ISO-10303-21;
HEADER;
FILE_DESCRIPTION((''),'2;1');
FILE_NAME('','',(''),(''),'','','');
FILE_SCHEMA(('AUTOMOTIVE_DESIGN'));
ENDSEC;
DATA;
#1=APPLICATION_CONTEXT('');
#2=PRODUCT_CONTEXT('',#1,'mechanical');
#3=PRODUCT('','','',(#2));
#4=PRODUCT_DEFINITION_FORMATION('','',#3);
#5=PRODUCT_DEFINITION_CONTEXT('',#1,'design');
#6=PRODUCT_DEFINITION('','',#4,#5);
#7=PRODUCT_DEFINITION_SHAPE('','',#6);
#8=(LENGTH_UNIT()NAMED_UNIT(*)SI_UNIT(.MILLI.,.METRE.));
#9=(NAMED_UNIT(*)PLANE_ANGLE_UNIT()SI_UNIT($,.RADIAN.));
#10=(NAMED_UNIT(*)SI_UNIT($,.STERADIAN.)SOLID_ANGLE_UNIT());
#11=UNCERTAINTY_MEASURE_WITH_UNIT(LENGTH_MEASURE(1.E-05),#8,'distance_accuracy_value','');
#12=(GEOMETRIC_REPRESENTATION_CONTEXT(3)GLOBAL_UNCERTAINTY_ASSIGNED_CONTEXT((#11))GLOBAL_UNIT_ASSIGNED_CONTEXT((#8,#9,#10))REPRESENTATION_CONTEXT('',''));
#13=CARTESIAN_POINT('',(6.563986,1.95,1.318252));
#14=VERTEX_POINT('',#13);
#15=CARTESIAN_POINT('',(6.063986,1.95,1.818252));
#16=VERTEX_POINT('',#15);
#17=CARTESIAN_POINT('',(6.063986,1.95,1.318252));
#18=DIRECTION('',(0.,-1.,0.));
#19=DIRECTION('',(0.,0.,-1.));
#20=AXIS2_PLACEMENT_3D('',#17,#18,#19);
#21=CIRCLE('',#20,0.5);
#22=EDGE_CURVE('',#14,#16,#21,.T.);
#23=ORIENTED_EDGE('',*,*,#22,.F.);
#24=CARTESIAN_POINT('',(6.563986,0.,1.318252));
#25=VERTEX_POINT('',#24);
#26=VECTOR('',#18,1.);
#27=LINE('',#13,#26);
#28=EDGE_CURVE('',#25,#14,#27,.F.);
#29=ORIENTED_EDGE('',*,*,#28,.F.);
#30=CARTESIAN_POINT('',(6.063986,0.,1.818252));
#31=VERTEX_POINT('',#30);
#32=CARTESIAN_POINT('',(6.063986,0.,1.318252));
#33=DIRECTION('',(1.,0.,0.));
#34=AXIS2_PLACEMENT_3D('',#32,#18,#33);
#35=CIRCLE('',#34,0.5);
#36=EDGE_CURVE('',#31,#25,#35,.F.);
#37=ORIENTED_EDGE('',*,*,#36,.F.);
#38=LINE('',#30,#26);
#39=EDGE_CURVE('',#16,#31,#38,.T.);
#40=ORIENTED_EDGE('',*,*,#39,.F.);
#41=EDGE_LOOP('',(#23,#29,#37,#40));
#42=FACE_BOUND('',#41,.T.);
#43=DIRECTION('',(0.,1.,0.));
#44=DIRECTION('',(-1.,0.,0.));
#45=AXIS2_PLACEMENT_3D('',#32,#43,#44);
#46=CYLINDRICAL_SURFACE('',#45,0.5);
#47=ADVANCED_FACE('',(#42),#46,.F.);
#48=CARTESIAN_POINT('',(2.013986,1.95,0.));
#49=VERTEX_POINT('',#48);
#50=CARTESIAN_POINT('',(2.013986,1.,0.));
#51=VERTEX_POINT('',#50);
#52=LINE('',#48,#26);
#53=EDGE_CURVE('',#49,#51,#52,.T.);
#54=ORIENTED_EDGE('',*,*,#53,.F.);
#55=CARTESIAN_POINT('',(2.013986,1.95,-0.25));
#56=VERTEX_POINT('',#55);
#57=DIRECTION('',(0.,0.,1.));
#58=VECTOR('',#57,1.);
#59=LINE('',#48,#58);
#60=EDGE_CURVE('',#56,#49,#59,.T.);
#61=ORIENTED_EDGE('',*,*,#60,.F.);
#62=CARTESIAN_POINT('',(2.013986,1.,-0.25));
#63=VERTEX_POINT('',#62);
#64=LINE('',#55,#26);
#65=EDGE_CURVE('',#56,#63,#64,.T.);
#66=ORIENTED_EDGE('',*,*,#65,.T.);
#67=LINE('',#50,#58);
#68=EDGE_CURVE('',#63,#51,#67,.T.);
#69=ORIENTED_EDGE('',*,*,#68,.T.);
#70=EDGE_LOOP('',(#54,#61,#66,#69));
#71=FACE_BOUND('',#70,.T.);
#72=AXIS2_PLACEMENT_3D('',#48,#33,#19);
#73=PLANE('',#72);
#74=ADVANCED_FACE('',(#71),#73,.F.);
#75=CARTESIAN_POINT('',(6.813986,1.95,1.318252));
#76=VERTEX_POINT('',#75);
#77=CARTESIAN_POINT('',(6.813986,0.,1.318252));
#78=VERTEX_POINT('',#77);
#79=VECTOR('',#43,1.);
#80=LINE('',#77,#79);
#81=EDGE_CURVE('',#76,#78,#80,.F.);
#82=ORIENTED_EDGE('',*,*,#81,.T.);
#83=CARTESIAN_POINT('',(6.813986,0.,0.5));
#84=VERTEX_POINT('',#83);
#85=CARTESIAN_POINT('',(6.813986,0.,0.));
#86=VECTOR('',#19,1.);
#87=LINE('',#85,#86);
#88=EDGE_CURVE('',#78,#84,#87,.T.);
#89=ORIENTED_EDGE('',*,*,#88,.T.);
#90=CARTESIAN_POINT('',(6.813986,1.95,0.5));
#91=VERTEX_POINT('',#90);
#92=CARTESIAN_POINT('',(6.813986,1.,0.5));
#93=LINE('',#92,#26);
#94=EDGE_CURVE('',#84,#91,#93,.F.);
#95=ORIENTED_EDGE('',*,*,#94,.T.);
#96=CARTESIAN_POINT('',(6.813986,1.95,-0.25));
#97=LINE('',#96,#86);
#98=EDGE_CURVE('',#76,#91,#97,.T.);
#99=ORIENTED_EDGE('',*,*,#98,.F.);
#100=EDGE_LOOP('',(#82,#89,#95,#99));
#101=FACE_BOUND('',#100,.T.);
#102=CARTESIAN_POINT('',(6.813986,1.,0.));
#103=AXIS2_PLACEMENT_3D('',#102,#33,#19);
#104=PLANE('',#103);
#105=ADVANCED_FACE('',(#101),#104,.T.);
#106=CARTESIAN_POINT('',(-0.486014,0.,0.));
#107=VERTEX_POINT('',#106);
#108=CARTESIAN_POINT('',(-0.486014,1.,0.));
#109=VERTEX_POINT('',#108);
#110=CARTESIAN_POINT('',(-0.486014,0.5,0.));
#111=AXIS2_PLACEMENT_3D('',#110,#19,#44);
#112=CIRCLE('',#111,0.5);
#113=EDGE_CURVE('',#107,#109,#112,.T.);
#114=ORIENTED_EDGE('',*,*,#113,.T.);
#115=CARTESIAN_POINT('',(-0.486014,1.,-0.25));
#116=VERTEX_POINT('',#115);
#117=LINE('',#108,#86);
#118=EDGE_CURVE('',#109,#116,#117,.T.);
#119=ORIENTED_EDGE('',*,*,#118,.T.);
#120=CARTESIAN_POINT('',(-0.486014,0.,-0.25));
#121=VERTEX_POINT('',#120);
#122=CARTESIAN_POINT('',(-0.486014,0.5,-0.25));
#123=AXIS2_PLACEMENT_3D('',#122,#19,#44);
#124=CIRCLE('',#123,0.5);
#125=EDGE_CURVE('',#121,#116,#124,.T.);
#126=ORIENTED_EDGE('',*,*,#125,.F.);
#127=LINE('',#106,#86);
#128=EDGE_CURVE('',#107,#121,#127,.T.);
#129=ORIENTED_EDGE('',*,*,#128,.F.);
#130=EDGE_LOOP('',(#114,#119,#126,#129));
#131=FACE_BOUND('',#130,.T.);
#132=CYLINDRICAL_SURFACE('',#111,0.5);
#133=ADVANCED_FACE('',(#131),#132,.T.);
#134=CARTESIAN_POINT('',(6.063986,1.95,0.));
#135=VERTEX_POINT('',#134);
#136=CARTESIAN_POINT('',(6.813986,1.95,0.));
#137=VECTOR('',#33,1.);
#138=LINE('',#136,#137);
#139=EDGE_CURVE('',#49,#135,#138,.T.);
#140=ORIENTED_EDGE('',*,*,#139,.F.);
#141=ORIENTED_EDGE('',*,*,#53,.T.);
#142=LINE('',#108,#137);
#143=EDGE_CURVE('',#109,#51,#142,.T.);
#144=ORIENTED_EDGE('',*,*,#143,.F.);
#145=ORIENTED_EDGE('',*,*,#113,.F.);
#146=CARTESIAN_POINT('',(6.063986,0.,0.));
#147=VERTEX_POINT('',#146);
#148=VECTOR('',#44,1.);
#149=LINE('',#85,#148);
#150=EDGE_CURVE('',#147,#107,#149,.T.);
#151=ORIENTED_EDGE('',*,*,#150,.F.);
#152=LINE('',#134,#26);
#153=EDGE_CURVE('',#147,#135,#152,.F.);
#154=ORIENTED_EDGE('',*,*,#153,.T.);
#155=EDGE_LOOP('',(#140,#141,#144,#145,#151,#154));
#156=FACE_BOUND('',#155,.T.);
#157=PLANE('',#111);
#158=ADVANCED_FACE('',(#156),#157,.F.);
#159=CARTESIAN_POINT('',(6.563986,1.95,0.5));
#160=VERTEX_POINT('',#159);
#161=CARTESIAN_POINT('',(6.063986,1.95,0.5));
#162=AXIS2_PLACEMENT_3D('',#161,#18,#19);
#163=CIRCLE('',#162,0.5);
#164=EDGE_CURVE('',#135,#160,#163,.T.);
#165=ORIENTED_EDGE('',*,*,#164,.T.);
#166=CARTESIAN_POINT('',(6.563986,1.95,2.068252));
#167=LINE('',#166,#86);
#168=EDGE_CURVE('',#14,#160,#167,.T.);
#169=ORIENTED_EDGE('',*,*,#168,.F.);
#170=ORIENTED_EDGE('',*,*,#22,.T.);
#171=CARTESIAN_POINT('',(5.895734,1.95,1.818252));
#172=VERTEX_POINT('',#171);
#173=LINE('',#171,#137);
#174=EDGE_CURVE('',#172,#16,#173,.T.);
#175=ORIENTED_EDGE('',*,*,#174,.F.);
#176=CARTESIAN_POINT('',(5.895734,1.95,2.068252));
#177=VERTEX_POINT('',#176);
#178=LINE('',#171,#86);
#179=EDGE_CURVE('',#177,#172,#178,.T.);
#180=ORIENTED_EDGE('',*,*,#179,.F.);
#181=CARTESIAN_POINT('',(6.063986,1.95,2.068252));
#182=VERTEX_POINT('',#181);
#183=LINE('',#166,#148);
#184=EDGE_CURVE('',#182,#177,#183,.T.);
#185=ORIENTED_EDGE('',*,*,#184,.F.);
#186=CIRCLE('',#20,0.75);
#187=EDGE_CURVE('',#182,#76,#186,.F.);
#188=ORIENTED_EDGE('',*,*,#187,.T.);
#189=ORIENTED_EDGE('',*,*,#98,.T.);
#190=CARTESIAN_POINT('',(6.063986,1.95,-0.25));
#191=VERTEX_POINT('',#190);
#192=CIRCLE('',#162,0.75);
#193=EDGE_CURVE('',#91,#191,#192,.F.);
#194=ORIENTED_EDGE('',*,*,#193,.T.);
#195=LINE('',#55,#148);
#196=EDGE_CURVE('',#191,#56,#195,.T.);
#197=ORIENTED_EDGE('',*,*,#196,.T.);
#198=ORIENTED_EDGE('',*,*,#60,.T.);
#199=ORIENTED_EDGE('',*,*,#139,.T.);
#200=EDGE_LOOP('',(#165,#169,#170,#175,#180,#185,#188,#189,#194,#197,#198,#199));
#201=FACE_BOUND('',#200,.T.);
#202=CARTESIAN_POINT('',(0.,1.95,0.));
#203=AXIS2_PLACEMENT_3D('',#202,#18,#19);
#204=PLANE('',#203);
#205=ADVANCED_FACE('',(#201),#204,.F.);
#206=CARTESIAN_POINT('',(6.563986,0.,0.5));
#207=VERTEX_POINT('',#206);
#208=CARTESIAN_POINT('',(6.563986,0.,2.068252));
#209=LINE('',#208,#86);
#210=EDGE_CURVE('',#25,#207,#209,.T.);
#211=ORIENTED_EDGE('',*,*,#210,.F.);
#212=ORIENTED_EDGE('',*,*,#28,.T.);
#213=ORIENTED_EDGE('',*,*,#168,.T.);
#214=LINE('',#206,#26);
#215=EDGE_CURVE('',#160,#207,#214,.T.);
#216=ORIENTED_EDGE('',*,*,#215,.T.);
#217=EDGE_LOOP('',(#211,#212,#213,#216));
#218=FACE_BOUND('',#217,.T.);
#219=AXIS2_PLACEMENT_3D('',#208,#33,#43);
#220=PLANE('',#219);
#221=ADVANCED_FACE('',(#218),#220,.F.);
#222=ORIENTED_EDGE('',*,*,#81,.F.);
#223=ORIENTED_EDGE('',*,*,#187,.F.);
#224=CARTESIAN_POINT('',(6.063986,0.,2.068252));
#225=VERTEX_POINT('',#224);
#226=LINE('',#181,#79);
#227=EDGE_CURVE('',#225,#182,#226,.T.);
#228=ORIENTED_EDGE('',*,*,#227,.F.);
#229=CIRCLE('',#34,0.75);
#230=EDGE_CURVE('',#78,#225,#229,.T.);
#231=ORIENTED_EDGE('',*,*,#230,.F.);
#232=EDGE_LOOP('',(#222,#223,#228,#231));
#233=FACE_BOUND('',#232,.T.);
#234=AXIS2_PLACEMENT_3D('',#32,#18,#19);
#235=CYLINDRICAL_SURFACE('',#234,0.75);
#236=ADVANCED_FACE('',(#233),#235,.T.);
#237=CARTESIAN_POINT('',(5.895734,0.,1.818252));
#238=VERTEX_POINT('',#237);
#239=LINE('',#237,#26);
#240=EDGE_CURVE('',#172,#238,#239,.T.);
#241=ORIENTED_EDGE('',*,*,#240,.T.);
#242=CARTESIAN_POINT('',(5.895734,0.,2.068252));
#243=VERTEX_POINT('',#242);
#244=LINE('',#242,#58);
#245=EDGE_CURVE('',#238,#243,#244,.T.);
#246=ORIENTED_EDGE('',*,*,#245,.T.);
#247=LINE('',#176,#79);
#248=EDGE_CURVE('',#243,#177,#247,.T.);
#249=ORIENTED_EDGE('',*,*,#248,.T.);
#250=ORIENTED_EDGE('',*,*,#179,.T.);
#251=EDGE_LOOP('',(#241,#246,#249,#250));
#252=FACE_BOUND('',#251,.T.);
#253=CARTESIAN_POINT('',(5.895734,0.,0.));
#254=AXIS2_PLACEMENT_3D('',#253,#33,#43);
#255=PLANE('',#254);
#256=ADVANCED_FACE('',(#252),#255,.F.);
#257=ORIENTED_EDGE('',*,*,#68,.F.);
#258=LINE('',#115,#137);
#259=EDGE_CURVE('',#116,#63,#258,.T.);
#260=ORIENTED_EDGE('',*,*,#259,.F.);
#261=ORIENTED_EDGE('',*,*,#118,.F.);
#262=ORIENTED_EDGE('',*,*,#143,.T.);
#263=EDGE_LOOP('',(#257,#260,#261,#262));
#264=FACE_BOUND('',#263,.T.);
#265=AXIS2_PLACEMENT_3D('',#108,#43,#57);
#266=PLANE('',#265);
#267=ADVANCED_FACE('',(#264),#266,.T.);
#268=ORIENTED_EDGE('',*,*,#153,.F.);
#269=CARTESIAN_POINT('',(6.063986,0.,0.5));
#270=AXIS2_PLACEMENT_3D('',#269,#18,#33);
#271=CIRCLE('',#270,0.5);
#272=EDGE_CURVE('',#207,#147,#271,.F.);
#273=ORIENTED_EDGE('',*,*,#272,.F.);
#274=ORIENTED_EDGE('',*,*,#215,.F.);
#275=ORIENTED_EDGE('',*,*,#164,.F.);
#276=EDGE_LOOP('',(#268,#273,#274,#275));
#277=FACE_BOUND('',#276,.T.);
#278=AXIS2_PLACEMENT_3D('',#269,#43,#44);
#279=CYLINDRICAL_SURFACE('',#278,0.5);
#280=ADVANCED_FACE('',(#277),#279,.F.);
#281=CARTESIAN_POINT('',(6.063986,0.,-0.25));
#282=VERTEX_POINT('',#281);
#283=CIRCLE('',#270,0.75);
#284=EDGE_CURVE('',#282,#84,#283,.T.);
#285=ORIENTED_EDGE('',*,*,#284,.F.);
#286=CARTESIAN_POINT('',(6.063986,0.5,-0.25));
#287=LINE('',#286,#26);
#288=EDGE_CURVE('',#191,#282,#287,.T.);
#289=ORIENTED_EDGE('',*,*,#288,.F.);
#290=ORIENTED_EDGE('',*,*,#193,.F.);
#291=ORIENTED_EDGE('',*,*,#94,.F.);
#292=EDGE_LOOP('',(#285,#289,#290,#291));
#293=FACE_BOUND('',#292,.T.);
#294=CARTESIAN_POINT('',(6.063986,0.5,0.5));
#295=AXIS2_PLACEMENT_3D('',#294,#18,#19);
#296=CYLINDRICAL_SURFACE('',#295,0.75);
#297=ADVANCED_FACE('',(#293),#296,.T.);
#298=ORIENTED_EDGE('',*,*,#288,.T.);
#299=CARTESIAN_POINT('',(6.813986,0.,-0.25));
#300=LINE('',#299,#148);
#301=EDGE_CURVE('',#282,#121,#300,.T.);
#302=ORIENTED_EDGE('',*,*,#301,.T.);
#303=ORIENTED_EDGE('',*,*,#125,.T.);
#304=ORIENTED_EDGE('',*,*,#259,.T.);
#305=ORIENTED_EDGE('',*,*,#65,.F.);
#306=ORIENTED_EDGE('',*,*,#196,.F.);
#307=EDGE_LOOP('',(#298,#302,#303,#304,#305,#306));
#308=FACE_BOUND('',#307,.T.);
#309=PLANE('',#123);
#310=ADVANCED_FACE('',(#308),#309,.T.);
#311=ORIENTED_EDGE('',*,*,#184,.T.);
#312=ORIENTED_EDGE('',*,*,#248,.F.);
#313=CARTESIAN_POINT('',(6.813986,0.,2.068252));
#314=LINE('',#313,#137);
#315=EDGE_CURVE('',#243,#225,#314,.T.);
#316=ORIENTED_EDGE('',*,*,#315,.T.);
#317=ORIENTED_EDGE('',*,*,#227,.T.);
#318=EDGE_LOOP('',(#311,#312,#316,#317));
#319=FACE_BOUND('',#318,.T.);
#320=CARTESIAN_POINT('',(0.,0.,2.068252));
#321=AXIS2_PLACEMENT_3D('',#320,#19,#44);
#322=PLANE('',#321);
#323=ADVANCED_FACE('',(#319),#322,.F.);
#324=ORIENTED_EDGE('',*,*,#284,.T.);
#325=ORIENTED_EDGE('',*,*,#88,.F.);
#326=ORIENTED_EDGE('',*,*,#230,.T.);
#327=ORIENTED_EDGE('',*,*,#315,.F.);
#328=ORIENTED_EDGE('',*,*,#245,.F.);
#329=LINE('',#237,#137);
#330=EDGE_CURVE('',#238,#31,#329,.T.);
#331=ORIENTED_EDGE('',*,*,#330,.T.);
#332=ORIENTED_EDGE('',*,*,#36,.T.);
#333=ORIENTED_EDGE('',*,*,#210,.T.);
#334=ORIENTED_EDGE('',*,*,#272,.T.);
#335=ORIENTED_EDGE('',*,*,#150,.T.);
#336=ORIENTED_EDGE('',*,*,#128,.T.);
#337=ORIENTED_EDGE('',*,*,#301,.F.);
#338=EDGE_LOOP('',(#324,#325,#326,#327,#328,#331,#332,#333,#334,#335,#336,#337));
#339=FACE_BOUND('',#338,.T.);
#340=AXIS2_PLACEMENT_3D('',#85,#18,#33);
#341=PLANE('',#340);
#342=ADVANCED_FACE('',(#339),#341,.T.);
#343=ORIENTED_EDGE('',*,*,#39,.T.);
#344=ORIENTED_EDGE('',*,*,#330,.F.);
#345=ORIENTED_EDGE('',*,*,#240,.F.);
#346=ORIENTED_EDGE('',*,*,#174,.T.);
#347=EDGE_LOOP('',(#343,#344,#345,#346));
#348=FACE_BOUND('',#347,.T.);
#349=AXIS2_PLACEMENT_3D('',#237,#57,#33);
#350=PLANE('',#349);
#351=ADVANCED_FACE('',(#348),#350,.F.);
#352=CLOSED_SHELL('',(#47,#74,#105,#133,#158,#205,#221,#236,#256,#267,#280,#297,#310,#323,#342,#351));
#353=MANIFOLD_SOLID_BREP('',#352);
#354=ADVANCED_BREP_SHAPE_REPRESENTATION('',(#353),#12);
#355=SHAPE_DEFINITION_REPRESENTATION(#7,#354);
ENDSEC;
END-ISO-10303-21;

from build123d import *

# Parameters (mm, degrees)
EXTRUDE_1_DEPTH = 0.25
SKETCH_2_W      = 4.8
SKETCH_2_H      = 0.25
EXTRUDE_2_DEPTH = 0.95
SKETCH_3_W      = 0.25
SKETCH_3_H      = 1.95
EXTRUDE_3_DEPTH = 2.068252296
SKETCH_4_W      = 0.25
SKETCH_4_H      = 1.95
EXTRUDE_4_DEPTH = 0.668252296
FILLET_1_R      = 0.5
FILLET_2_R      = 0.75


with BuildPart() as part:
    # 草图1 → 凸台-拉伸1 (new body)
    with BuildSketch(Plane(origin=(0, 0, -0.25), x_dir=(-1, 0, 0), z_dir=(0, 0, -1))):
        with BuildLine():
            Line((0.486013986, 1), (-6.813986014, 1))
            Line((-6.813986014, 1), (-6.813986014, 0))
            Line((-6.813986014, 0), (0.486013986, 0))
            ThreePointArc((0.486013986, 0), (0.986013986, 0.5), (0.486013986, 1))
        make_face()
    extrude(amount=-EXTRUDE_1_DEPTH)

    # 草图2 → 凸台-拉伸2 (add)
    with BuildSketch(Plane(origin=(0, 1, 0), x_dir=(-1, 0, 0), z_dir=(0, 1, 0))):
        with Locations((-4.413986014, -0.125)):
            Rectangle(SKETCH_2_W, SKETCH_2_H)
    extrude(amount=EXTRUDE_2_DEPTH)

    # 草图3 → 凸台-拉伸3 (add)
    with BuildSketch(Plane.XY):
        with Locations((6.688986014, 0.975)):
            Rectangle(SKETCH_3_W, SKETCH_3_H)
    extrude(amount=EXTRUDE_3_DEPTH)

    # 草图4 → 凸台-拉伸4 (add)
    with BuildSketch(Plane.ZY.offset(-6.563986014)):
        with Locations((1.943252296, 0.975)):
            Rectangle(SKETCH_4_W, SKETCH_4_H)
    extrude(amount=EXTRUDE_4_DEPTH)

    # 圆角1
    fillet_1_edges = [part.edges().sort_by_distance(p)[0] for p in [
        (6.563986014, 0.975, 0),
        (6.563986014, 0.975, 1.818252296),
    ]]
    fillet(fillet_1_edges, radius=FILLET_1_R)

    # 圆角2
    fillet_2_edges = [part.edges().sort_by_distance(p)[0] for p in [
        (6.813986014, 0.975, 2.068252296),
        (6.813986014, 0.975, -0.25),
    ]]
    fillet(fillet_2_edges, radius=FILLET_2_R)


solid = part.part
